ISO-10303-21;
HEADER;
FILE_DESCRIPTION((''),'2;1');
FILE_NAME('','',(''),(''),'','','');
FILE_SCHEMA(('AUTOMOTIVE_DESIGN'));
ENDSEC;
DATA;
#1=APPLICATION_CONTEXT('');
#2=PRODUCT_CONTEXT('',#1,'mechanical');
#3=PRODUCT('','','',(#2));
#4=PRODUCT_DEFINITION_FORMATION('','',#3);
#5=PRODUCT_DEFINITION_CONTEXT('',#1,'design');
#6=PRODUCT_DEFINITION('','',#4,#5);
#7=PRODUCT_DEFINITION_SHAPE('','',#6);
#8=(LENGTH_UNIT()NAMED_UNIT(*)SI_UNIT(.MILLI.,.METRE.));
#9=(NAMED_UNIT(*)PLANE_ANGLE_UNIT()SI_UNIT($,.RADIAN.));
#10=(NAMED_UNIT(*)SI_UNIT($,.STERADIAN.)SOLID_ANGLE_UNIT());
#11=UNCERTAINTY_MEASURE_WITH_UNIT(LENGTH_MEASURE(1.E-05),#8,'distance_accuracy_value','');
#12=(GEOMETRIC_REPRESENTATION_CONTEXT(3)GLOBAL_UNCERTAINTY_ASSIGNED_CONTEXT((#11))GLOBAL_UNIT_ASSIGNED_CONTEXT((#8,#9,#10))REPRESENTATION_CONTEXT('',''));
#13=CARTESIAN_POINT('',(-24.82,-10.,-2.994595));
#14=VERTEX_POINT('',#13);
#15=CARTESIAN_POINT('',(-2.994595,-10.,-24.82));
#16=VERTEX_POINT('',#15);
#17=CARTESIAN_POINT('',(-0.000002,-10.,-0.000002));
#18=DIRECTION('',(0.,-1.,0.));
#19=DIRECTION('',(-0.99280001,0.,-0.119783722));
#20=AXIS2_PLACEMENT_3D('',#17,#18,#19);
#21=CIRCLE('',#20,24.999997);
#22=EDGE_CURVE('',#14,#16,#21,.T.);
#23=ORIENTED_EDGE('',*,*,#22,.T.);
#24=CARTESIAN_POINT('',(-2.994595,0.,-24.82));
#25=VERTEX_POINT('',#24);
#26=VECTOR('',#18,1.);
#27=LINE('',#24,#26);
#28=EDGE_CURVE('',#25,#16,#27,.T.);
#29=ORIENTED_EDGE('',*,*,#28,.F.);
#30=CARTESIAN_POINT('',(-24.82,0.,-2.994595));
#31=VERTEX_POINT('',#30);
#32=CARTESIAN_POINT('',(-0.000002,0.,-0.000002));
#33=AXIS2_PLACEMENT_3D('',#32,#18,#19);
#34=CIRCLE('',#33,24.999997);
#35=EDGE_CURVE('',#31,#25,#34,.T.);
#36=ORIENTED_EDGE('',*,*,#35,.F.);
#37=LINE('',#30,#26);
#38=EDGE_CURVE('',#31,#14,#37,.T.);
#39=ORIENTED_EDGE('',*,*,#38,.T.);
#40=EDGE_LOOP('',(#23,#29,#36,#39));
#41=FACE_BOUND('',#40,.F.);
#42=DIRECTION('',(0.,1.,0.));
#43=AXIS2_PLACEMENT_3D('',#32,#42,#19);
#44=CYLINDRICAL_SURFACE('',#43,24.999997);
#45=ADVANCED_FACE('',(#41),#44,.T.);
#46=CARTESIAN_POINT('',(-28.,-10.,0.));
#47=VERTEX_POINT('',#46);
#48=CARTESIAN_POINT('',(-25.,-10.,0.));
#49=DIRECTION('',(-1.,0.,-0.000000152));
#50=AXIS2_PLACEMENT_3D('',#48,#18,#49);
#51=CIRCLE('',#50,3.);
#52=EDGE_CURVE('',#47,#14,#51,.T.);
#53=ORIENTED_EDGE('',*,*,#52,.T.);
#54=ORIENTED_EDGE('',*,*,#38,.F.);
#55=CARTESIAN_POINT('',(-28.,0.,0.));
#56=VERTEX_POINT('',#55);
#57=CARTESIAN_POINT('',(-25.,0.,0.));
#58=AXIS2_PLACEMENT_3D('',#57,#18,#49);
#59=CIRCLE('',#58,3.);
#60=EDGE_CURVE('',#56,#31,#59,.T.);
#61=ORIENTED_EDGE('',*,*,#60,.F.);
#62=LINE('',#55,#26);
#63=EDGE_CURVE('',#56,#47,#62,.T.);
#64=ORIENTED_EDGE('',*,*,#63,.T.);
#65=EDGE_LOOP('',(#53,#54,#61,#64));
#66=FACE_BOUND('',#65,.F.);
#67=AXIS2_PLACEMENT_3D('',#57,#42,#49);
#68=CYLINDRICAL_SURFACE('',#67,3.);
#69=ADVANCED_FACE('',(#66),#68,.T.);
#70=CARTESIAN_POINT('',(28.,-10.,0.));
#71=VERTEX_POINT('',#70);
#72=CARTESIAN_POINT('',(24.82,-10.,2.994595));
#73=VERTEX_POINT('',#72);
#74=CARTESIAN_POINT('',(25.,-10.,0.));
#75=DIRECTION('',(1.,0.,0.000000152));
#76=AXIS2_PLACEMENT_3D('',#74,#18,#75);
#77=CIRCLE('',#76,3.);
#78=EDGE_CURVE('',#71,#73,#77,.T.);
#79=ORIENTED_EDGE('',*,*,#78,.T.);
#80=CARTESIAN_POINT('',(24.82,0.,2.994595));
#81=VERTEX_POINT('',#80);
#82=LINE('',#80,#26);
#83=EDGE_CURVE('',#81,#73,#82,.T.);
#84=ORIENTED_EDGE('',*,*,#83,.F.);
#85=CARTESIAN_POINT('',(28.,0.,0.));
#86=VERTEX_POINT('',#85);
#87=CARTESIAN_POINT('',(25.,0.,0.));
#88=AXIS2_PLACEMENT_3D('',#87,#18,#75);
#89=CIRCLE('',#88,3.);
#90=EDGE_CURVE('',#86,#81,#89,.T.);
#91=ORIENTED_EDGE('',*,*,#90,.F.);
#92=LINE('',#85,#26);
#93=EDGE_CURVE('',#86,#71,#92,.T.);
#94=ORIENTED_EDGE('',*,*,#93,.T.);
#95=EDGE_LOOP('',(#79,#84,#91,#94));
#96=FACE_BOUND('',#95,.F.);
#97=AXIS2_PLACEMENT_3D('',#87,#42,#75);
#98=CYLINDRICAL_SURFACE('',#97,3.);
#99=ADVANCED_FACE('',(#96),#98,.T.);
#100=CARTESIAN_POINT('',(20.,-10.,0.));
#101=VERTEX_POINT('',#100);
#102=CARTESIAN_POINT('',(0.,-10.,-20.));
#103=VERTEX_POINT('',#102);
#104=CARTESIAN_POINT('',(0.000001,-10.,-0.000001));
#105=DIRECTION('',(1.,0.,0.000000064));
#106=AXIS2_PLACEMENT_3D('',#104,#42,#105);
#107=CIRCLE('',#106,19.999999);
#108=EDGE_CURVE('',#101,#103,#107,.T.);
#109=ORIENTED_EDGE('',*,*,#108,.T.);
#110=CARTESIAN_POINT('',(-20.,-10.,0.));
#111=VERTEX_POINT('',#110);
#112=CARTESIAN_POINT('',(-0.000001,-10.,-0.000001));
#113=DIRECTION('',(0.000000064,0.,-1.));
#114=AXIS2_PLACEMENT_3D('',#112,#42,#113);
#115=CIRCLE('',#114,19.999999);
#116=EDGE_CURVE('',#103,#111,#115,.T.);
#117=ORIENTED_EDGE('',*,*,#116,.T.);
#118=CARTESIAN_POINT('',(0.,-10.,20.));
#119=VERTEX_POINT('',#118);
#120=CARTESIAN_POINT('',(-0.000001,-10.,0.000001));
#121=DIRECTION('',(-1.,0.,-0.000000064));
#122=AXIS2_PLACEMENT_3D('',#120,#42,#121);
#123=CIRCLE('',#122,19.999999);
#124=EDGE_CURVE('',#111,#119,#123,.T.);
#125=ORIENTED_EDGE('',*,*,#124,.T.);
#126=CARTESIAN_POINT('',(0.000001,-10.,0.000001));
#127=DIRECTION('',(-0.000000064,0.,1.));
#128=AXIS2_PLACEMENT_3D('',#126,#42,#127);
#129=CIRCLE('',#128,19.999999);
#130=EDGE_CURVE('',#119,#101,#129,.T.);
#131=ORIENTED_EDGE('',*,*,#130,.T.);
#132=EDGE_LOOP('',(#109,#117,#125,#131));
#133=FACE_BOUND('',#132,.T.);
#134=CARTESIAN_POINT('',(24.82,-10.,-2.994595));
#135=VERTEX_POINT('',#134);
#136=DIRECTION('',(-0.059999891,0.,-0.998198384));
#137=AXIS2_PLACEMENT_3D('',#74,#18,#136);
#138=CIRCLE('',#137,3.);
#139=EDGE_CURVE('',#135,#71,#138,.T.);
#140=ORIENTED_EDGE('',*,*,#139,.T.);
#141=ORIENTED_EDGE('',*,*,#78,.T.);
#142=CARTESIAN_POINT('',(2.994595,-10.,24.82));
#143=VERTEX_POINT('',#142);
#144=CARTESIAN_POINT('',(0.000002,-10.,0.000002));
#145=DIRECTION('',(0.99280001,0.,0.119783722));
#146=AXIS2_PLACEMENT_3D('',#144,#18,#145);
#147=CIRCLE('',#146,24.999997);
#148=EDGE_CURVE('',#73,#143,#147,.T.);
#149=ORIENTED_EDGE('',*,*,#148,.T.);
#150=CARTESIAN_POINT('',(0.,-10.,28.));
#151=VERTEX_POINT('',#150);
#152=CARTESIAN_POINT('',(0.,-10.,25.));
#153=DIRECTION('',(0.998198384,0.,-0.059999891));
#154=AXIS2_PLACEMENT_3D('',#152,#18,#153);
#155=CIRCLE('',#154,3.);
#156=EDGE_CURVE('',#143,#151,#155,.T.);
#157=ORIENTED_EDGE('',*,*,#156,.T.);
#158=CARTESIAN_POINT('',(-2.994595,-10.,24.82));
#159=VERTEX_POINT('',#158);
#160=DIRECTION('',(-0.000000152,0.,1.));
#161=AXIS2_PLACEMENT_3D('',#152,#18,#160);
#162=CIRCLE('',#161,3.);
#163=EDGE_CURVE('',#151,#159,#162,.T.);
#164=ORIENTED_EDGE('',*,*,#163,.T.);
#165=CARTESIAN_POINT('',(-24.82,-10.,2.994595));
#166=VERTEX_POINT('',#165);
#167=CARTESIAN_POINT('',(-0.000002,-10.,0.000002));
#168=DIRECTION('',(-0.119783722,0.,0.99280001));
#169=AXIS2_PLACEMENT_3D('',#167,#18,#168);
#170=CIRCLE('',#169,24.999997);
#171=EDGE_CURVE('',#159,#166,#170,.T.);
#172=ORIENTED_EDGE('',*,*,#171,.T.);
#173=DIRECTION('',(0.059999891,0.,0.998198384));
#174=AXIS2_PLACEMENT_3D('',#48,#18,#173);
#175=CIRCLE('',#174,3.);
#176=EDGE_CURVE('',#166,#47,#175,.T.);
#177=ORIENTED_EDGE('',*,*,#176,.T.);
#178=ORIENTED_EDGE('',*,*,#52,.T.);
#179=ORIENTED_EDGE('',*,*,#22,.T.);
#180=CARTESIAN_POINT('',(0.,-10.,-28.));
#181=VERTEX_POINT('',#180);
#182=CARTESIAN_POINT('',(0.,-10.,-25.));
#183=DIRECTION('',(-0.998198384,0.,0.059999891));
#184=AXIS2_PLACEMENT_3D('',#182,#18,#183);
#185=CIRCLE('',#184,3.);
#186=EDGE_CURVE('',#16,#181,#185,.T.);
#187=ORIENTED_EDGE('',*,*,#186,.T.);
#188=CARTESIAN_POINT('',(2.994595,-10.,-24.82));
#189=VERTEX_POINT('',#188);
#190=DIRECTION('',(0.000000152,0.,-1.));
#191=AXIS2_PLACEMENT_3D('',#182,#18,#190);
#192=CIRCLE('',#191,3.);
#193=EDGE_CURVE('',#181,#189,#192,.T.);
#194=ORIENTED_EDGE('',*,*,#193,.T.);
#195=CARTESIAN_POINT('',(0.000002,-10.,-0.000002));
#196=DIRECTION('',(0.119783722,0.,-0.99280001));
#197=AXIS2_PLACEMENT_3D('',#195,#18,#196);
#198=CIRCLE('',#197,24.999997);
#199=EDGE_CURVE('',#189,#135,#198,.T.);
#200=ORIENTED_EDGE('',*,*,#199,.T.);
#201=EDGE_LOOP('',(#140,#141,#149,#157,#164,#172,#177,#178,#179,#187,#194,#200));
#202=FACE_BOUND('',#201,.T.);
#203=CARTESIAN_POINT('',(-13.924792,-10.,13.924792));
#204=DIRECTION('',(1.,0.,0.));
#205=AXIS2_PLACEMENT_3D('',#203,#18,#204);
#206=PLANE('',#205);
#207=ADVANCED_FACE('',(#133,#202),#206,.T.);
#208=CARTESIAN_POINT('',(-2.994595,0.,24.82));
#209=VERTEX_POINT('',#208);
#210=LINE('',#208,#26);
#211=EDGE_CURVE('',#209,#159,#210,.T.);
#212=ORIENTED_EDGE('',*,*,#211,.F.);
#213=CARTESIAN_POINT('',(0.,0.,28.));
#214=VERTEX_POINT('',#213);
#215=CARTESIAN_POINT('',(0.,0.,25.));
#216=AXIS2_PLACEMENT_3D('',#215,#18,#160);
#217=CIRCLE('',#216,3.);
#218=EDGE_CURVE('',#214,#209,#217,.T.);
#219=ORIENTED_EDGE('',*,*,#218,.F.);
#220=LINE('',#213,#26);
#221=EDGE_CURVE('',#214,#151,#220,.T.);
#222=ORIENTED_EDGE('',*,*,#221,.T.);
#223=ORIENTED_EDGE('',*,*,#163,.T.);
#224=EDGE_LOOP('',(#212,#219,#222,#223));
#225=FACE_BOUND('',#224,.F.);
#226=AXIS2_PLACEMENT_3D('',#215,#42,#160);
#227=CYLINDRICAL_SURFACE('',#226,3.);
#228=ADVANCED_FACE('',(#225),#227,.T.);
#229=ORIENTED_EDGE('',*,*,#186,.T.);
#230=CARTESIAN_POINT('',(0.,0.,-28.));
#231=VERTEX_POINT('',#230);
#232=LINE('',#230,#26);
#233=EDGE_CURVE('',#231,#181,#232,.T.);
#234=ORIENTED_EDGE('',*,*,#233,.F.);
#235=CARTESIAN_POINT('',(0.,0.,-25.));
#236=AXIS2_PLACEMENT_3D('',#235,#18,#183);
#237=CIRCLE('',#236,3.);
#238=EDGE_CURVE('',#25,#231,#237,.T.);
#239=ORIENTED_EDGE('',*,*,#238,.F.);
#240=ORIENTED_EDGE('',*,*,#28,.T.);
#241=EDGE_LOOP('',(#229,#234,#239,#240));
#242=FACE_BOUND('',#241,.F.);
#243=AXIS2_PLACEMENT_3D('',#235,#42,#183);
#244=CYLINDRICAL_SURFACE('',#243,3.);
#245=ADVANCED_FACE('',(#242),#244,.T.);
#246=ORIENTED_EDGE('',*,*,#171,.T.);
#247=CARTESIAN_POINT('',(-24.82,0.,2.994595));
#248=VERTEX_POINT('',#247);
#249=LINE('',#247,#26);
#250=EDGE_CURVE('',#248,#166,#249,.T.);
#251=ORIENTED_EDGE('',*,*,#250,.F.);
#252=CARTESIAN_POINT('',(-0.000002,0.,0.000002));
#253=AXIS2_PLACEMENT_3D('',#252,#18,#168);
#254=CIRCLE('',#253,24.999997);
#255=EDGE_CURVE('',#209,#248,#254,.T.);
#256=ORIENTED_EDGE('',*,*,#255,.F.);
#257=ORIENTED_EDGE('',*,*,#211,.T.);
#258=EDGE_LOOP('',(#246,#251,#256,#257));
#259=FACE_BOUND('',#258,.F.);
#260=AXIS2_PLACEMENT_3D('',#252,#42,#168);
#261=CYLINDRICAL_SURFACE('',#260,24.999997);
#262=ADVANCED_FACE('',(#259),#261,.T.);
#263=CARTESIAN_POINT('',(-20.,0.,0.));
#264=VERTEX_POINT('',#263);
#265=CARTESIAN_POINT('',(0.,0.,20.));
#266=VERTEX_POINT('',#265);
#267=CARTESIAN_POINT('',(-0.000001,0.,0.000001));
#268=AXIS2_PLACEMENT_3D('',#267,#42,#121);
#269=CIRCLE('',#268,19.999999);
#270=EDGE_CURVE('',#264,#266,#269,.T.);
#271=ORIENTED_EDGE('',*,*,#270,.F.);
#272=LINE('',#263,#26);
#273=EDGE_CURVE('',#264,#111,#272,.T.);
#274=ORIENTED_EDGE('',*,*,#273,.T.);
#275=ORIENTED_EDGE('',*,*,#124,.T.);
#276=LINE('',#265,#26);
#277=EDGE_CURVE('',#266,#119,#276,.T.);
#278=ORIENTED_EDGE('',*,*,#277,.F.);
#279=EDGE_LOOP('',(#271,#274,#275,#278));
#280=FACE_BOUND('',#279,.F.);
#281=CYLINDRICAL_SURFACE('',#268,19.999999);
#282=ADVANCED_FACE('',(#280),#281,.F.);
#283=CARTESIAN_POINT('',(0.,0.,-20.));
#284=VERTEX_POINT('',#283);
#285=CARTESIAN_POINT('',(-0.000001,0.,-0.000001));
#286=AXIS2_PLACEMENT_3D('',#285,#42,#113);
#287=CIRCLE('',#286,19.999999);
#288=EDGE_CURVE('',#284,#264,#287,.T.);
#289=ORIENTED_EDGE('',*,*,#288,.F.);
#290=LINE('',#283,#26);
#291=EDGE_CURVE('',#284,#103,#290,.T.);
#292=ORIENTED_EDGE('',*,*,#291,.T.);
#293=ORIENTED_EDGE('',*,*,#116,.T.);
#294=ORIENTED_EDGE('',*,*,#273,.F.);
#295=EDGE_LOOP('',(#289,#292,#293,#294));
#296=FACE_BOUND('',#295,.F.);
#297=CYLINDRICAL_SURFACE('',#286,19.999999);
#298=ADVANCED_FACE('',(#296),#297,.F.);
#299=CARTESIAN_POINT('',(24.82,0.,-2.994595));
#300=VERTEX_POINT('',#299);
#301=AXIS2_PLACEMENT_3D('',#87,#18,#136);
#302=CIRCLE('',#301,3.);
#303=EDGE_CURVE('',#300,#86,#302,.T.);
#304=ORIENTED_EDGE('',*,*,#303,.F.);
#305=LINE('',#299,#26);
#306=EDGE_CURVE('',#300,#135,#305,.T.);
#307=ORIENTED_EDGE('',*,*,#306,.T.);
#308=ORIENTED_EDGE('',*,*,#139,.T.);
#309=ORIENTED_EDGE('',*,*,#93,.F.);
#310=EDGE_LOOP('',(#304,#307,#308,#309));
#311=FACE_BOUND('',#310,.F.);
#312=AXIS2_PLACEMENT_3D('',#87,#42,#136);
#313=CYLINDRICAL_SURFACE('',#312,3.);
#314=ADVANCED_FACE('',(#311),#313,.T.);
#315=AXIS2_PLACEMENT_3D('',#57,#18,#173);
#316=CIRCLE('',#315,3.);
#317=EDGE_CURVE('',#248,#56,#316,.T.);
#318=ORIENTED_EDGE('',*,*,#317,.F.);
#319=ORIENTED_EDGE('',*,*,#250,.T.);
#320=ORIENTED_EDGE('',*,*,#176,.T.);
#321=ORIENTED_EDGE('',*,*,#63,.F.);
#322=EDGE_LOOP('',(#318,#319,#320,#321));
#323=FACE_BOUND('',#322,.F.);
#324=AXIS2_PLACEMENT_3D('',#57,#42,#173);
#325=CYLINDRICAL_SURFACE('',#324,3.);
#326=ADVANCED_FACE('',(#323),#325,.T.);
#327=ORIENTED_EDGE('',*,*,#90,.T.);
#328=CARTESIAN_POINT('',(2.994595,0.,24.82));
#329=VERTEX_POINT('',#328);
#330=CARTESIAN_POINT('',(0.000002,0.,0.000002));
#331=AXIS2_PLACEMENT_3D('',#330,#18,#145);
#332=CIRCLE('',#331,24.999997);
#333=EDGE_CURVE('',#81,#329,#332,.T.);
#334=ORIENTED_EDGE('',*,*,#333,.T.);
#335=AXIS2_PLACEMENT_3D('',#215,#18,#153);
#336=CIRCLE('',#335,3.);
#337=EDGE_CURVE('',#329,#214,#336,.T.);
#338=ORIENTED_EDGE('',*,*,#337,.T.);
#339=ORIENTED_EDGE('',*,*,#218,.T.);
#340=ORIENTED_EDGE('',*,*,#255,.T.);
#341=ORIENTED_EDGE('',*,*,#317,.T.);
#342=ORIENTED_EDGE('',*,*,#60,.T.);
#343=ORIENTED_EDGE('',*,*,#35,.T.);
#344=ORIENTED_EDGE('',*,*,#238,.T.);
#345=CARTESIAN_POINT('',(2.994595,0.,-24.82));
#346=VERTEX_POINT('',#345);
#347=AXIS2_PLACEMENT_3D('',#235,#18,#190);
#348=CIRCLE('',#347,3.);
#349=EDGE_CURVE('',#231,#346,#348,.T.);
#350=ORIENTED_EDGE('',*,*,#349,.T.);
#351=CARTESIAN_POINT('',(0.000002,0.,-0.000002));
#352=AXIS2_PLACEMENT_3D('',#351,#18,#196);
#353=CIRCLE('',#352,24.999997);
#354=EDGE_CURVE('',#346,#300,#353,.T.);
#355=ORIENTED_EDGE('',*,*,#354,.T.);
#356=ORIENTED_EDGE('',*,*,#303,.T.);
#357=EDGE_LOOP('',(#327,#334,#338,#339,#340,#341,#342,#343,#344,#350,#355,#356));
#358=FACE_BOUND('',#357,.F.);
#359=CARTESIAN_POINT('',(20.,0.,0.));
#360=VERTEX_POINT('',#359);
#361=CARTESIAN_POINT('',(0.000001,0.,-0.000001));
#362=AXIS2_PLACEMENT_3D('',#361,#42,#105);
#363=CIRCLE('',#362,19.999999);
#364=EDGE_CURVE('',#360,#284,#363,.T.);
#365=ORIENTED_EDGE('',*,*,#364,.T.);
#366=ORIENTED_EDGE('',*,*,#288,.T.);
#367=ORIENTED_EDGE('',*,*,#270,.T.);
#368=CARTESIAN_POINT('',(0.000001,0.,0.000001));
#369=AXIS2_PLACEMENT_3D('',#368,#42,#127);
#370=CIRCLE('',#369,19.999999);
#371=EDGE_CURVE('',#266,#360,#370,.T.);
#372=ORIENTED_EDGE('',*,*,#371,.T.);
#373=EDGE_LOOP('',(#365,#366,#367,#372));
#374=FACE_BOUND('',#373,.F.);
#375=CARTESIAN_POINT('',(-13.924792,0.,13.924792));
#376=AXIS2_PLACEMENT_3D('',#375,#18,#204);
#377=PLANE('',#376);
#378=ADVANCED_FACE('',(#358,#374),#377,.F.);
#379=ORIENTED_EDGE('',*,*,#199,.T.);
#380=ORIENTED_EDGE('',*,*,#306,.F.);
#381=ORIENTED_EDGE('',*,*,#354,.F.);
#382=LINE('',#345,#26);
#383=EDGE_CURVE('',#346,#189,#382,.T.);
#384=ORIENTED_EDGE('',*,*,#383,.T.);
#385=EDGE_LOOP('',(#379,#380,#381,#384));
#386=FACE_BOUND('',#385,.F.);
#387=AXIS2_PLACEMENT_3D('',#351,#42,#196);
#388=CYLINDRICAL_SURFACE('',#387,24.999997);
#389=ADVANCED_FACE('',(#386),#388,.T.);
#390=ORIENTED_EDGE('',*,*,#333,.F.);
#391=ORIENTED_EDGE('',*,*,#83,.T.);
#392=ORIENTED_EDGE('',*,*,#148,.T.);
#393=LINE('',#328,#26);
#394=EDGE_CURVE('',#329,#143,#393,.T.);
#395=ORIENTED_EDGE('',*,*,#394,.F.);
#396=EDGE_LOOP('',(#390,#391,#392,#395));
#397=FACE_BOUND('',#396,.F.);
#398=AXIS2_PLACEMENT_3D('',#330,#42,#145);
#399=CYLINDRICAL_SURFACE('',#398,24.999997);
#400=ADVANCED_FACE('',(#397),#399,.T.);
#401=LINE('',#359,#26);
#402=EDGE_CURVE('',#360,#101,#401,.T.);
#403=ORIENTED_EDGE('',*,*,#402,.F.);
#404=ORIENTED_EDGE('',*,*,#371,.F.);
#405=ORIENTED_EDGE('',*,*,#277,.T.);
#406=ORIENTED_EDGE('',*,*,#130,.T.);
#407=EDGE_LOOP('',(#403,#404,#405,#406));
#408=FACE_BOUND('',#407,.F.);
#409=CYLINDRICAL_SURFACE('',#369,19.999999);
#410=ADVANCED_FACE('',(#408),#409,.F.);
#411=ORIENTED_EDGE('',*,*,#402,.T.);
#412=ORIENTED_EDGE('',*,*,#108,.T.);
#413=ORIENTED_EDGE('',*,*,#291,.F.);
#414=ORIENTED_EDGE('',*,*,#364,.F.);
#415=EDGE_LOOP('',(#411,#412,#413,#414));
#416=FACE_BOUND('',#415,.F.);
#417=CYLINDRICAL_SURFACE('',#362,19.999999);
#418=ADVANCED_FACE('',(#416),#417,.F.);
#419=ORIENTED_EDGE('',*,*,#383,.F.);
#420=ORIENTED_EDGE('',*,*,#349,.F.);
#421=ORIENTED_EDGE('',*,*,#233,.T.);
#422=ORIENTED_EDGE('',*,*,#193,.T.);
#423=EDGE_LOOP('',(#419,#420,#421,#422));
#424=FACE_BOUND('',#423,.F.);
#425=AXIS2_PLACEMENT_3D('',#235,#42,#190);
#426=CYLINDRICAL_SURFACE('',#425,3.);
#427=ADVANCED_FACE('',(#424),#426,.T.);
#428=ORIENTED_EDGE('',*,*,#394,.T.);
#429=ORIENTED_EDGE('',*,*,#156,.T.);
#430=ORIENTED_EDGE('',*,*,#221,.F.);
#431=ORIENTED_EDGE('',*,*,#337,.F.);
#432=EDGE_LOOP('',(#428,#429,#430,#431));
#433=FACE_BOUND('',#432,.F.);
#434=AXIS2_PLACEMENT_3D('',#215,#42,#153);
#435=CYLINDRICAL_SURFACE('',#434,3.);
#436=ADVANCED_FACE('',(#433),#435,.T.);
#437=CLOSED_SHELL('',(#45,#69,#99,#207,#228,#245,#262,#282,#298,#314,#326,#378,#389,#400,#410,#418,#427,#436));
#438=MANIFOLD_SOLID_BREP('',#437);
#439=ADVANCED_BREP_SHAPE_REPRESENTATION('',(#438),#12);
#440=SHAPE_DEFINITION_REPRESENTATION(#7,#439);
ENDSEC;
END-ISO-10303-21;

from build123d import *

# Parameters (mm, degrees)
F1_DEPTH = 10


with BuildPart() as f1:
    # F0 (on Front) → F1 (new body)
    with BuildSketch(Plane.XZ):
        with BuildLine():
            Line((0, 20), (0, 28))
            ThreePointArc((0, 28), (-2.184033, 27.056696), (-2.994595, 24.82))
            ThreePointArc((-2.994595, 24.82), (-17.67767, 17.67767), (-24.82, 2.994595))
            ThreePointArc((-24.82, 2.994595), (-27.056696, 2.184033), (-28, 0))
            Line((-28, 0), (-20, 0))
            ThreePointArc((-20, 0), (-14.142136, 14.142136), (0, 20))
        make_face()
        with BuildLine():
            ThreePointArc((0, -20), (-14.142136, -14.142136), (-20, 0))
            Line((-20, 0), (-28, 0))
            ThreePointArc((-28, 0), (-27.056696, -2.184033), (-24.82, -2.994595))
            ThreePointArc((-24.82, -2.994595), (-17.67767, -17.67767), (-2.994595, -24.82))
            ThreePointArc((-2.994595, -24.82), (-2.184033, -27.056696), (0, -28))
            Line((0, -28), (0, -20))
        make_face()
        with BuildLine():
            Line((28, 0), (20, 0))
            ThreePointArc((20, 0), (14.142136, -14.142136), (0, -20))
            Line((0, -20), (0, -28))
            ThreePointArc((0, -28), (2.184033, -27.056696), (2.994595, -24.82))
            ThreePointArc((2.994595, -24.82), (17.67767, -17.67767), (24.82, -2.994595))
            ThreePointArc((24.82, -2.994595), (27.056696, -2.184033), (28, 0))
        make_face()
        with BuildLine():
            ThreePointArc((2.994595, 24.82), (2.184033, 27.056696), (0, 28))
            Line((0, 28), (0, 20))
            ThreePointArc((0, 20), (14.142136, 14.142136), (20, 0))
            Line((20, 0), (28, 0))
            ThreePointArc((28, 0), (27.056696, 2.184033), (24.82, 2.994595))
            ThreePointArc((24.82, 2.994595), (17.67767, 17.67767), (2.994595, 24.82))
        make_face()
    extrude(amount=F1_DEPTH)


solid = f1.part
